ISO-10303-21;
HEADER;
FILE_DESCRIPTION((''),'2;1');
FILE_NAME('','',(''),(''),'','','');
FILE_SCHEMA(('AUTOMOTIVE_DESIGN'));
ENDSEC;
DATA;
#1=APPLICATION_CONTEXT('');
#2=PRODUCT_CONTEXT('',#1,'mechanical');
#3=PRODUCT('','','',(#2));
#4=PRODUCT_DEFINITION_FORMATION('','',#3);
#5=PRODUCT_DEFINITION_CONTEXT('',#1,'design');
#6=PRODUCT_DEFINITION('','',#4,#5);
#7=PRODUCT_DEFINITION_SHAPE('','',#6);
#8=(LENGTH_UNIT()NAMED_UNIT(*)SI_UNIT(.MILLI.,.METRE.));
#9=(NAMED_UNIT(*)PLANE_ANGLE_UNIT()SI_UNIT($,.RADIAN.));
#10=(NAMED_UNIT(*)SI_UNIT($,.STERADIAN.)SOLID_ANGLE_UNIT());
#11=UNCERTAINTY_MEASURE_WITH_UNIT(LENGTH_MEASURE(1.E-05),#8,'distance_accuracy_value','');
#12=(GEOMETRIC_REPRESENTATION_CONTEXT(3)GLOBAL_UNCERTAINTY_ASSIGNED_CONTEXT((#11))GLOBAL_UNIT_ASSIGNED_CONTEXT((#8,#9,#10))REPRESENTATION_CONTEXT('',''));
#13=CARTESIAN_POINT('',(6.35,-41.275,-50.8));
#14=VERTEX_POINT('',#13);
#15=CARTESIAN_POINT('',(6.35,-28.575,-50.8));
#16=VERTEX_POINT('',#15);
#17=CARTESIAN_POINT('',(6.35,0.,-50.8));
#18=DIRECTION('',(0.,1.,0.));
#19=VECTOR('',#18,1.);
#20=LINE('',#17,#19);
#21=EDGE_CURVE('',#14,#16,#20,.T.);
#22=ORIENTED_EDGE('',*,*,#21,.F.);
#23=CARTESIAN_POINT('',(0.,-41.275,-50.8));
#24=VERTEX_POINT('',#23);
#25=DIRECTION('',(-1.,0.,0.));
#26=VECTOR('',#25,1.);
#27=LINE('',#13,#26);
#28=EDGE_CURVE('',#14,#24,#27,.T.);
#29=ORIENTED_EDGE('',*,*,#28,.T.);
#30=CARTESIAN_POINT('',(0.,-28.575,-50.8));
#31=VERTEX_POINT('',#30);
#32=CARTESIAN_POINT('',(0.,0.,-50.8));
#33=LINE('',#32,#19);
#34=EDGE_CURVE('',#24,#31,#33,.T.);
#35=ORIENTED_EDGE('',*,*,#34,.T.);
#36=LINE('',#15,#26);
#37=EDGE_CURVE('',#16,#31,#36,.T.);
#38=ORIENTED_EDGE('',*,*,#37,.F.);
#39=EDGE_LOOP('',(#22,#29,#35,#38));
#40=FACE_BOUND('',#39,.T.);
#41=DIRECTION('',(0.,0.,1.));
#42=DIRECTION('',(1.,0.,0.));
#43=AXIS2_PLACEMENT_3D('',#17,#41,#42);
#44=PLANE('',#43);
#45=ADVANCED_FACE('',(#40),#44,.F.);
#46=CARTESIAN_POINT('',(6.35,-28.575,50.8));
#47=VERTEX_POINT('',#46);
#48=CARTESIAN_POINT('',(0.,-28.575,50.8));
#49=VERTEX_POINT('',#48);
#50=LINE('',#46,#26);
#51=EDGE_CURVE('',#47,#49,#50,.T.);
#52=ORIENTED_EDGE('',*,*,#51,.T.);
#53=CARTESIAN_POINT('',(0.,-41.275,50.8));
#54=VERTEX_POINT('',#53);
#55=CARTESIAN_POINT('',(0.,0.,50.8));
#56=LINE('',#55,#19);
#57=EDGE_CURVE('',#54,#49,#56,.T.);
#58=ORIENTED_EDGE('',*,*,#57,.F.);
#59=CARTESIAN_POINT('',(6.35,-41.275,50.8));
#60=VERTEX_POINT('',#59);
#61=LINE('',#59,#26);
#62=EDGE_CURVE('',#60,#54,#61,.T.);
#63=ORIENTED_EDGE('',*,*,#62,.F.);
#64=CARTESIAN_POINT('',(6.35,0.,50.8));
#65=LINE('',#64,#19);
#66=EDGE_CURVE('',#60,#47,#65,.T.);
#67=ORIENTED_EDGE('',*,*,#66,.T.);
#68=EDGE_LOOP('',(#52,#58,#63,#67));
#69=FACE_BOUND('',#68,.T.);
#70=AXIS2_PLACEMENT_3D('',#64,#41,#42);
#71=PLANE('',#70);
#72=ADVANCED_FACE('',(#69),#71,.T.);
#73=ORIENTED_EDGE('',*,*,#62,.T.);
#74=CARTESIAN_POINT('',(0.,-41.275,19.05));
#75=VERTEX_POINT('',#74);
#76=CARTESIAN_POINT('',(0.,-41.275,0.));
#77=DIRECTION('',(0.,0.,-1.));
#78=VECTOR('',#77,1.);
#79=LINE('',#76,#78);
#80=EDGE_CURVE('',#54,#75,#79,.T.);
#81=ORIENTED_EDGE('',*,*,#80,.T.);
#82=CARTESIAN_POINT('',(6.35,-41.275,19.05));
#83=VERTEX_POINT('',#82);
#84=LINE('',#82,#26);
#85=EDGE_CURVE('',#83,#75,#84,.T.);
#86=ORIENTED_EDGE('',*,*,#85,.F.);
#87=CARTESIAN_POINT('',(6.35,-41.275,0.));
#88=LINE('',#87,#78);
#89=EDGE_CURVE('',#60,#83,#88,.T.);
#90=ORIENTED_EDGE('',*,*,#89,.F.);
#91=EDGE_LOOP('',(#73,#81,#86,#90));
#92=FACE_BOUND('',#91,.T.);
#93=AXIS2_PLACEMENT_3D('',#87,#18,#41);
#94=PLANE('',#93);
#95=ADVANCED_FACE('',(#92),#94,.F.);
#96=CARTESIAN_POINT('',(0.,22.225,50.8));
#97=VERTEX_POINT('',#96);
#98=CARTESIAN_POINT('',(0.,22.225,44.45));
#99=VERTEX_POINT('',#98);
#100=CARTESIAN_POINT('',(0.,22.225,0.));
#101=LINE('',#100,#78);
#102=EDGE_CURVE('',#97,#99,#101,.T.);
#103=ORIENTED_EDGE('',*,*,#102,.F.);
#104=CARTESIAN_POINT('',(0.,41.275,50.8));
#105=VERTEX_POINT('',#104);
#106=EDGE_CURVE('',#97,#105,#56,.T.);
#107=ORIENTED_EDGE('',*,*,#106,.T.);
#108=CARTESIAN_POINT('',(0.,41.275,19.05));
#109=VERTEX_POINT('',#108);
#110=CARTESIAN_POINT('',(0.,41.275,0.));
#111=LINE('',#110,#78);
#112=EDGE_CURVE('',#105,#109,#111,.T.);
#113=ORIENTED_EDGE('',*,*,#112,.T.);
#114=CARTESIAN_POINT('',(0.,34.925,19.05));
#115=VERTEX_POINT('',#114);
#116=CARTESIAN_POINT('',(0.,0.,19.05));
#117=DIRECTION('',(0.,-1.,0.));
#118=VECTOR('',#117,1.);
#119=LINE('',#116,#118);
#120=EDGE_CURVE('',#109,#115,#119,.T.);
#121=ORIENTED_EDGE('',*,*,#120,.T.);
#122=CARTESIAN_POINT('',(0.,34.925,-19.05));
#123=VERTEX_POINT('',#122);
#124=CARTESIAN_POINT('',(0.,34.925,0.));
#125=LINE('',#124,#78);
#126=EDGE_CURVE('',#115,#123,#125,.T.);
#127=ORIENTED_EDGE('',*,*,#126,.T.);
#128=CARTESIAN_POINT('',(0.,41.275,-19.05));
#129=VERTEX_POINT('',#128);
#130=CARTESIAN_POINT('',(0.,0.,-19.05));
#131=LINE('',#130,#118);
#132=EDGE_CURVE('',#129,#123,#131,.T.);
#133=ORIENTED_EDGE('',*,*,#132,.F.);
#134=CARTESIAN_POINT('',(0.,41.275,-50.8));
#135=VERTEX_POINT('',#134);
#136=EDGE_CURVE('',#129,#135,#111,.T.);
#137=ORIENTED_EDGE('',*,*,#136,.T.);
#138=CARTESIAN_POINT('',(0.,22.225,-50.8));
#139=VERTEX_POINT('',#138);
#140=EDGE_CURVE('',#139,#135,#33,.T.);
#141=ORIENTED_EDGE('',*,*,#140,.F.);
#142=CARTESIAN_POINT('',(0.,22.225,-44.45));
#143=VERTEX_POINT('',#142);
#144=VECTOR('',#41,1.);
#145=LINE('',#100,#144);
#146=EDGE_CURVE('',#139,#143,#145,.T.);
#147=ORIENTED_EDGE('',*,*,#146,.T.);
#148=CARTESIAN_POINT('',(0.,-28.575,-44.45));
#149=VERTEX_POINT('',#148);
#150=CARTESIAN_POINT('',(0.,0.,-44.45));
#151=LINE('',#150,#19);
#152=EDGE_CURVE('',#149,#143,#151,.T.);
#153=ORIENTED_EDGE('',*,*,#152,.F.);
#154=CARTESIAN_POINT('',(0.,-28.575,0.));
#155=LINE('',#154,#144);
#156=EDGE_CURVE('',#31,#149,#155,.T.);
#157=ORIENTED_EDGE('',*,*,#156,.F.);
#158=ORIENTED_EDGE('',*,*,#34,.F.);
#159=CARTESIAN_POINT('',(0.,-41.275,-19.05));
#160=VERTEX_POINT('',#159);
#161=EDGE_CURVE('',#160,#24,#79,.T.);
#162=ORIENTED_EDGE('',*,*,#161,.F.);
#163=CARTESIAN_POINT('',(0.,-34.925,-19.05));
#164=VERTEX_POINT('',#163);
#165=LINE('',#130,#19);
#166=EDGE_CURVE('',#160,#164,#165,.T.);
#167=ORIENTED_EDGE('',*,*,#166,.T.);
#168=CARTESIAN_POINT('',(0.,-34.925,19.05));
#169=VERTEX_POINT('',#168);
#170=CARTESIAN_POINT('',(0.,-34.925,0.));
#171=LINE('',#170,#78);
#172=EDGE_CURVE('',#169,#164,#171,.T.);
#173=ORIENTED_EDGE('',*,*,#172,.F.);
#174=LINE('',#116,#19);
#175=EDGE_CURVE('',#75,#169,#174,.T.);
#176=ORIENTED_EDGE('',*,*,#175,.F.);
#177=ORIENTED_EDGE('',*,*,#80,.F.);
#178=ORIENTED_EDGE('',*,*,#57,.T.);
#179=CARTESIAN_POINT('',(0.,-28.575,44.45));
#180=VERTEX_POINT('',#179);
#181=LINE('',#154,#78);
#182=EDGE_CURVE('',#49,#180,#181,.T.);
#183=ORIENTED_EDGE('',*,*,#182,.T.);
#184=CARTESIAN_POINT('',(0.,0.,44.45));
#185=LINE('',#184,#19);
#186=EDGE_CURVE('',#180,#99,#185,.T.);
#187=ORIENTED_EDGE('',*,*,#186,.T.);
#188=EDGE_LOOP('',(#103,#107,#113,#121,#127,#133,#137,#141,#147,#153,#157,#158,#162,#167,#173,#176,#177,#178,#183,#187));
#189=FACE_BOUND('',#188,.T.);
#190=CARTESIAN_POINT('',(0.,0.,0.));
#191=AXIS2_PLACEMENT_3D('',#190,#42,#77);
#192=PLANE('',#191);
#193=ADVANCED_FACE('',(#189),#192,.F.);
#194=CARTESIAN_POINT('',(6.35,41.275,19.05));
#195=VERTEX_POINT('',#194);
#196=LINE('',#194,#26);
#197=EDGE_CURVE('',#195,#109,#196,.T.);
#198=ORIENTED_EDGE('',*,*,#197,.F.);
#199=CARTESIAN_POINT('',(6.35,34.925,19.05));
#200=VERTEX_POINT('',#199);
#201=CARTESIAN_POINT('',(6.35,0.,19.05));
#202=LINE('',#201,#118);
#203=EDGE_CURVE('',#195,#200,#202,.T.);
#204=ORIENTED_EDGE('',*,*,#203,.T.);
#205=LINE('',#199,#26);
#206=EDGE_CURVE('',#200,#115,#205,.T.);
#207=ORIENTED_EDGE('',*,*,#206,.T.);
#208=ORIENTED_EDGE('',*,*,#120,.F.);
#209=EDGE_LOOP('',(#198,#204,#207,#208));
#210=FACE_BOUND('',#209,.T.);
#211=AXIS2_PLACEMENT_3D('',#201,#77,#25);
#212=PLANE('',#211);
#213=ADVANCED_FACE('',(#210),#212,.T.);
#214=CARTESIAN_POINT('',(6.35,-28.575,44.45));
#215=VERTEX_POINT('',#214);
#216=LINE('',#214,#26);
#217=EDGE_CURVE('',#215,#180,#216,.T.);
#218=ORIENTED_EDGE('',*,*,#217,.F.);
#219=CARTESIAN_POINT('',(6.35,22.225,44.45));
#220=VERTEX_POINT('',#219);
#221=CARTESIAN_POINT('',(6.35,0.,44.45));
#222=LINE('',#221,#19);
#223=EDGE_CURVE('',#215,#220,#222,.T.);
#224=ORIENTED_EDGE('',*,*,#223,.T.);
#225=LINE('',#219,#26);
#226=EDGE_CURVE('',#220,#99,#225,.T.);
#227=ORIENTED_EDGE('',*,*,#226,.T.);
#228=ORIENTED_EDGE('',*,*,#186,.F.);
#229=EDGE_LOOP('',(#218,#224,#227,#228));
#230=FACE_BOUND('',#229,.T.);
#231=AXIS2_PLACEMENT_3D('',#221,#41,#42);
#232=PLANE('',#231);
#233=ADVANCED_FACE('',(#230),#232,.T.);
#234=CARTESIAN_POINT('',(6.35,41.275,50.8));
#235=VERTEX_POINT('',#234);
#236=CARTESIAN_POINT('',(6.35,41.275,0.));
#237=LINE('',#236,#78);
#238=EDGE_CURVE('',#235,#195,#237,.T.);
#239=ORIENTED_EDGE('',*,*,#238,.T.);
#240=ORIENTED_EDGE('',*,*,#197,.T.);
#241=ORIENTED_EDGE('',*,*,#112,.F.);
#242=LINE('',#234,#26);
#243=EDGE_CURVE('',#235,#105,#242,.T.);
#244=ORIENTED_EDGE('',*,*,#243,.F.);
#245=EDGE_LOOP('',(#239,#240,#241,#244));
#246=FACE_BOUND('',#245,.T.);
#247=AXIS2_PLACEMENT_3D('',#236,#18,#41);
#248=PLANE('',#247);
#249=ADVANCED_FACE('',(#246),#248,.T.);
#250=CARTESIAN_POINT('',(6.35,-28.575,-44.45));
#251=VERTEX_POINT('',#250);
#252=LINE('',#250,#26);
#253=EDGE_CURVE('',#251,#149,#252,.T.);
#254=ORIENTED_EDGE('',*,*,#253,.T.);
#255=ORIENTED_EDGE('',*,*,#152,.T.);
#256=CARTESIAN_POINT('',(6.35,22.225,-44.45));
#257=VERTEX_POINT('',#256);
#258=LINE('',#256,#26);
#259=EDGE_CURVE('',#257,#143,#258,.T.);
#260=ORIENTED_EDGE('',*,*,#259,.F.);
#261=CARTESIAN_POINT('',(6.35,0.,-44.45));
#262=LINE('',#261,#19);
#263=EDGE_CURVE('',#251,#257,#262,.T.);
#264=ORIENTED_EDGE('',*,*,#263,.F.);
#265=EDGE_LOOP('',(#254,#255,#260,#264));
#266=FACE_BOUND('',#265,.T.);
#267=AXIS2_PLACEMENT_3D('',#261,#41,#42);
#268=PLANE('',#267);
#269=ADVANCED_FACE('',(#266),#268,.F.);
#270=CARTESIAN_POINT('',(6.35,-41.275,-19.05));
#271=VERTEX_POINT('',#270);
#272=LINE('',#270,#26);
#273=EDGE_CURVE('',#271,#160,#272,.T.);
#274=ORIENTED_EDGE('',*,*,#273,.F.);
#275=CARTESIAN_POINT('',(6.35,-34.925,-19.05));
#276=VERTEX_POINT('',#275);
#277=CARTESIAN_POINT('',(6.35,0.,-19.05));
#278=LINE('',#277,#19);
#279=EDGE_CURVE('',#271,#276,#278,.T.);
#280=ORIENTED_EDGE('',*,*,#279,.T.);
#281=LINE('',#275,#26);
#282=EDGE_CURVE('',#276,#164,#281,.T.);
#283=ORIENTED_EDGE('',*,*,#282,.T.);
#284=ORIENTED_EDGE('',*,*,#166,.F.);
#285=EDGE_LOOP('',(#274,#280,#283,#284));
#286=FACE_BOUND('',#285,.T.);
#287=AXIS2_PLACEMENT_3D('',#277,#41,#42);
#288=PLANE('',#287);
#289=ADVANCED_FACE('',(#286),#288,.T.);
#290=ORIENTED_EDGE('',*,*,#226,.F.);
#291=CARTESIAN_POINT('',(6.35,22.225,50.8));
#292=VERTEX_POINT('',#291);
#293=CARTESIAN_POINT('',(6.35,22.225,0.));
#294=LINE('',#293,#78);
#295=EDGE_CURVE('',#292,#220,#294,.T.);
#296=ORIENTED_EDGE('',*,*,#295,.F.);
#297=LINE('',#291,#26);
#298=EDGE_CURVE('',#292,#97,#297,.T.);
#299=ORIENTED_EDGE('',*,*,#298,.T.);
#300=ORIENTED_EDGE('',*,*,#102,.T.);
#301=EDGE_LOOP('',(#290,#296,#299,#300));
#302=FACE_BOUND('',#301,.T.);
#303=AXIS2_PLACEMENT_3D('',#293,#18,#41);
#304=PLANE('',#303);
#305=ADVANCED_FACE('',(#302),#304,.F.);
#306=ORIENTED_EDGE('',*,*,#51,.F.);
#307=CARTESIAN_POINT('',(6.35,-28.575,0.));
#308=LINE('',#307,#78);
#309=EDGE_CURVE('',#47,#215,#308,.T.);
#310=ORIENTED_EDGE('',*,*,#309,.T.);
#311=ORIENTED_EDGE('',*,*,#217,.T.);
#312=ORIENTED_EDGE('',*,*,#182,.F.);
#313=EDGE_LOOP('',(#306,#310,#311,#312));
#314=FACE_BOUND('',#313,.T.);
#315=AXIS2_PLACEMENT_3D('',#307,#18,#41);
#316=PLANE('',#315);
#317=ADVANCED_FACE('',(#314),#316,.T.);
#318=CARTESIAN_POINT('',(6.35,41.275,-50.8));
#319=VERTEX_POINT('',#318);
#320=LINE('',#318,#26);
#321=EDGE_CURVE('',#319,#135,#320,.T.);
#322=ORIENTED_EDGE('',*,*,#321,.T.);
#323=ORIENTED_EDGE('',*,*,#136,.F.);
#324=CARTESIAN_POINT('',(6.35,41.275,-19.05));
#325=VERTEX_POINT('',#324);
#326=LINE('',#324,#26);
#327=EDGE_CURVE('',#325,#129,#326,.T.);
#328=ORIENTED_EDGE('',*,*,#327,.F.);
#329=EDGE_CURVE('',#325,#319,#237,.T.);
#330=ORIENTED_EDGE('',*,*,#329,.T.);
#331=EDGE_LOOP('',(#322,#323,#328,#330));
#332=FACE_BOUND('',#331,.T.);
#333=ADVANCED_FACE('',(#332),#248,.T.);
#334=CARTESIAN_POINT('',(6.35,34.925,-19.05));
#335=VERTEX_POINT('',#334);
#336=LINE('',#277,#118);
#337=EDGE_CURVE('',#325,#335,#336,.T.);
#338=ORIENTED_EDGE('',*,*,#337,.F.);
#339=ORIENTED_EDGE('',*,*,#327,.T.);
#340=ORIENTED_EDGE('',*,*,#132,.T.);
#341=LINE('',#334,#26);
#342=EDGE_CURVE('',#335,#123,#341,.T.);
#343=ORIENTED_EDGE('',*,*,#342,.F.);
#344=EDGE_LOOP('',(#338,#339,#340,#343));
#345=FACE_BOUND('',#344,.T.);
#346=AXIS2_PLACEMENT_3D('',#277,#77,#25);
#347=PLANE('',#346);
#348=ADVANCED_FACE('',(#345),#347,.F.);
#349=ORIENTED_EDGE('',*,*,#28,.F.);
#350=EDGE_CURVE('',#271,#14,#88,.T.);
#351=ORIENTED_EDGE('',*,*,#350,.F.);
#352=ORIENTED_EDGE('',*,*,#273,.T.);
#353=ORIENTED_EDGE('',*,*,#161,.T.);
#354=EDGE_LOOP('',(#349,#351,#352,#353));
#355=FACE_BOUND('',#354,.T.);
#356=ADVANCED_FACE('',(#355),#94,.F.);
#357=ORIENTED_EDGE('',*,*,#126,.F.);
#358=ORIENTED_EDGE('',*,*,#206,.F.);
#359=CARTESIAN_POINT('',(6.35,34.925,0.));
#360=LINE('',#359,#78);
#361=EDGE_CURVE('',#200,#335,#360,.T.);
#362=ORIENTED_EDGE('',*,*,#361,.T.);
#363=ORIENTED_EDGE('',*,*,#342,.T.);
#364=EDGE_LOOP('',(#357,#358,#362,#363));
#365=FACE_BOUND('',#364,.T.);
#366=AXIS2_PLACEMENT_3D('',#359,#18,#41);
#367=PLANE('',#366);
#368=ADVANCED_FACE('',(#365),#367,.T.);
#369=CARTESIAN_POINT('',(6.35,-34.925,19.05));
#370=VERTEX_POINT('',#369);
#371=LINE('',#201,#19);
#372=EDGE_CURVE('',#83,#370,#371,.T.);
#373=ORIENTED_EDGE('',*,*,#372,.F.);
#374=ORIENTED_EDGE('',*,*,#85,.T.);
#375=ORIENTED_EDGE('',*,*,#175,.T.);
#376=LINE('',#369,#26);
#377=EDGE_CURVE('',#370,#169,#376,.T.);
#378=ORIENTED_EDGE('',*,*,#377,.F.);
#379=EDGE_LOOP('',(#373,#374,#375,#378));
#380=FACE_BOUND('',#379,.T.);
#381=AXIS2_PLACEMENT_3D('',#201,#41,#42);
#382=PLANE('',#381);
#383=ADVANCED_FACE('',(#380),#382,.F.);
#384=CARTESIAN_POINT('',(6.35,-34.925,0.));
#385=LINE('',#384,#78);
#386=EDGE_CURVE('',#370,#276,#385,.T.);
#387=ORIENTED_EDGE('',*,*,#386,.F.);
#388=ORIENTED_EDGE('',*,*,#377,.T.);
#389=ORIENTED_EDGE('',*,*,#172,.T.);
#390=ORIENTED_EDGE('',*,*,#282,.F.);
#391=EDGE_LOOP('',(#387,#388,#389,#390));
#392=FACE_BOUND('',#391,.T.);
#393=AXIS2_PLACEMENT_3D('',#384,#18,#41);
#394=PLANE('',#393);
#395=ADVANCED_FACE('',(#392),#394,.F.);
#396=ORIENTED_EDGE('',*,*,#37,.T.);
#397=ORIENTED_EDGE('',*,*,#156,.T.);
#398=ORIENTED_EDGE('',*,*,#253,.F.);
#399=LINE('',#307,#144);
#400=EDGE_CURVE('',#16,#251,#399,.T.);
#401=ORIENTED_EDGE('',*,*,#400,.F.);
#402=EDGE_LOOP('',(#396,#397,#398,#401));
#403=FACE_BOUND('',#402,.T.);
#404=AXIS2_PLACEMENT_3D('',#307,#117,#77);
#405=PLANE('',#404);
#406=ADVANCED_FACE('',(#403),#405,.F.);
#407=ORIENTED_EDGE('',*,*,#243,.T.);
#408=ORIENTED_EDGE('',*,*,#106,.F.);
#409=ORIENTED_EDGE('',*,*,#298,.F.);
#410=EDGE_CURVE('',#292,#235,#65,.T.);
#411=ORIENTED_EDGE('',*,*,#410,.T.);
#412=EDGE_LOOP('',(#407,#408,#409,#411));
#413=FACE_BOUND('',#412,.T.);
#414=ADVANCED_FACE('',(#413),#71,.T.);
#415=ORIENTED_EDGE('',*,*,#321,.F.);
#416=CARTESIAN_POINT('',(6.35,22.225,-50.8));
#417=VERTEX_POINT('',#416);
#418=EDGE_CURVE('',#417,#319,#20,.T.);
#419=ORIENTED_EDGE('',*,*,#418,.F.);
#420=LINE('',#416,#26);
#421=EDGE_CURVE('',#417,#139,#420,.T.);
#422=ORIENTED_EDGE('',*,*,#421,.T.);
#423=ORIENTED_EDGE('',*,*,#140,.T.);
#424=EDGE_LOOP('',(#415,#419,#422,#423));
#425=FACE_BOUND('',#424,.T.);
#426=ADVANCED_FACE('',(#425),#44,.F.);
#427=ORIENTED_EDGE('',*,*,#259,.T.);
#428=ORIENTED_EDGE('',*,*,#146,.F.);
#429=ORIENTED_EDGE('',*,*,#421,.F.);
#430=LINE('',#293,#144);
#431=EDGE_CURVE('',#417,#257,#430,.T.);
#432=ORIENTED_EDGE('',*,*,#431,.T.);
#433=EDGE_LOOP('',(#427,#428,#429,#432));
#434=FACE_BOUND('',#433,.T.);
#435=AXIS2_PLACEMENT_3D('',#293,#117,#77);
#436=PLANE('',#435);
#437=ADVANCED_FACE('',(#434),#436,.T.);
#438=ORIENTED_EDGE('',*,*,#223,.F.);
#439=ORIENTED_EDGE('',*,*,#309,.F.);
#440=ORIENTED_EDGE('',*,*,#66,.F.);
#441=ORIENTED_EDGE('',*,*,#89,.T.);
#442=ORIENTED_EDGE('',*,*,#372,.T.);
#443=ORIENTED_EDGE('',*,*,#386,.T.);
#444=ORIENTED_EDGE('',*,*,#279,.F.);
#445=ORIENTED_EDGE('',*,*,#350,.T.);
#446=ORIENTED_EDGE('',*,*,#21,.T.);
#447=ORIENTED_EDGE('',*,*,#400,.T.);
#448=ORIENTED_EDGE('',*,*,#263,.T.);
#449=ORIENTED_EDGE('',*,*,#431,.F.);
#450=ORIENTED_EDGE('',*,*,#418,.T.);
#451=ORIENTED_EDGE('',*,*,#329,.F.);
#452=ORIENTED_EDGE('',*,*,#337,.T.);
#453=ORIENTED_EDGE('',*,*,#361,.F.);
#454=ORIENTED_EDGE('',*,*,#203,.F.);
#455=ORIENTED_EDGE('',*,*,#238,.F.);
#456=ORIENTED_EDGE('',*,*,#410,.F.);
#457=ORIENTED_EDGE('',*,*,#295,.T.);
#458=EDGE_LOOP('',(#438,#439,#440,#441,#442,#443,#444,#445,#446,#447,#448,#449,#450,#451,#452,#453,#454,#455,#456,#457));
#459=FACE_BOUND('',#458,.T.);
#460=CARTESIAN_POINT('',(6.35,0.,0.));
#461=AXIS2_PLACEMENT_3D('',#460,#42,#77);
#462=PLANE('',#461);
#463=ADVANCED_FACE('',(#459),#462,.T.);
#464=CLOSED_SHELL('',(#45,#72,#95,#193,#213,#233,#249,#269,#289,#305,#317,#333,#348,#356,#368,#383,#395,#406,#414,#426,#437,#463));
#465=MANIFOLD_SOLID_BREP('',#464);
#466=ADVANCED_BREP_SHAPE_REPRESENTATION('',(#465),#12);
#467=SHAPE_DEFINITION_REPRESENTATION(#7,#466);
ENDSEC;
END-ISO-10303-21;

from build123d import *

# Parameters (mm, degrees)
BOSS_EXTRUDE1_DEPTH = 6.35


with BuildPart() as part:
    # Sketch1 → Boss-Extrude1 (new body)
    with BuildSketch(Plane(origin=(0, 0, 0), x_dir=(0, 0, -1), z_dir=(1, 0, 0))):
        Polygon((-50.8, -28.575), (-50.8, -41.275), (-19.05, -41.275), (-19.05, -34.925), (19.05, -34.925), (19.05, -41.275), (50.8, -41.275), (50.8, -28.575), (44.45, -28.575), (44.45, 22.225), (50.8, 22.225), (50.8, 41.275), (19.05, 41.275), (19.05, 34.925), (-19.05, 34.925), (-19.05, 41.275), (-50.8, 41.275), (-50.8, 22.225), (-44.45, 22.225), (-44.45, -28.575), align=None)
    extrude(amount=BOSS_EXTRUDE1_DEPTH)


solid = part.part
